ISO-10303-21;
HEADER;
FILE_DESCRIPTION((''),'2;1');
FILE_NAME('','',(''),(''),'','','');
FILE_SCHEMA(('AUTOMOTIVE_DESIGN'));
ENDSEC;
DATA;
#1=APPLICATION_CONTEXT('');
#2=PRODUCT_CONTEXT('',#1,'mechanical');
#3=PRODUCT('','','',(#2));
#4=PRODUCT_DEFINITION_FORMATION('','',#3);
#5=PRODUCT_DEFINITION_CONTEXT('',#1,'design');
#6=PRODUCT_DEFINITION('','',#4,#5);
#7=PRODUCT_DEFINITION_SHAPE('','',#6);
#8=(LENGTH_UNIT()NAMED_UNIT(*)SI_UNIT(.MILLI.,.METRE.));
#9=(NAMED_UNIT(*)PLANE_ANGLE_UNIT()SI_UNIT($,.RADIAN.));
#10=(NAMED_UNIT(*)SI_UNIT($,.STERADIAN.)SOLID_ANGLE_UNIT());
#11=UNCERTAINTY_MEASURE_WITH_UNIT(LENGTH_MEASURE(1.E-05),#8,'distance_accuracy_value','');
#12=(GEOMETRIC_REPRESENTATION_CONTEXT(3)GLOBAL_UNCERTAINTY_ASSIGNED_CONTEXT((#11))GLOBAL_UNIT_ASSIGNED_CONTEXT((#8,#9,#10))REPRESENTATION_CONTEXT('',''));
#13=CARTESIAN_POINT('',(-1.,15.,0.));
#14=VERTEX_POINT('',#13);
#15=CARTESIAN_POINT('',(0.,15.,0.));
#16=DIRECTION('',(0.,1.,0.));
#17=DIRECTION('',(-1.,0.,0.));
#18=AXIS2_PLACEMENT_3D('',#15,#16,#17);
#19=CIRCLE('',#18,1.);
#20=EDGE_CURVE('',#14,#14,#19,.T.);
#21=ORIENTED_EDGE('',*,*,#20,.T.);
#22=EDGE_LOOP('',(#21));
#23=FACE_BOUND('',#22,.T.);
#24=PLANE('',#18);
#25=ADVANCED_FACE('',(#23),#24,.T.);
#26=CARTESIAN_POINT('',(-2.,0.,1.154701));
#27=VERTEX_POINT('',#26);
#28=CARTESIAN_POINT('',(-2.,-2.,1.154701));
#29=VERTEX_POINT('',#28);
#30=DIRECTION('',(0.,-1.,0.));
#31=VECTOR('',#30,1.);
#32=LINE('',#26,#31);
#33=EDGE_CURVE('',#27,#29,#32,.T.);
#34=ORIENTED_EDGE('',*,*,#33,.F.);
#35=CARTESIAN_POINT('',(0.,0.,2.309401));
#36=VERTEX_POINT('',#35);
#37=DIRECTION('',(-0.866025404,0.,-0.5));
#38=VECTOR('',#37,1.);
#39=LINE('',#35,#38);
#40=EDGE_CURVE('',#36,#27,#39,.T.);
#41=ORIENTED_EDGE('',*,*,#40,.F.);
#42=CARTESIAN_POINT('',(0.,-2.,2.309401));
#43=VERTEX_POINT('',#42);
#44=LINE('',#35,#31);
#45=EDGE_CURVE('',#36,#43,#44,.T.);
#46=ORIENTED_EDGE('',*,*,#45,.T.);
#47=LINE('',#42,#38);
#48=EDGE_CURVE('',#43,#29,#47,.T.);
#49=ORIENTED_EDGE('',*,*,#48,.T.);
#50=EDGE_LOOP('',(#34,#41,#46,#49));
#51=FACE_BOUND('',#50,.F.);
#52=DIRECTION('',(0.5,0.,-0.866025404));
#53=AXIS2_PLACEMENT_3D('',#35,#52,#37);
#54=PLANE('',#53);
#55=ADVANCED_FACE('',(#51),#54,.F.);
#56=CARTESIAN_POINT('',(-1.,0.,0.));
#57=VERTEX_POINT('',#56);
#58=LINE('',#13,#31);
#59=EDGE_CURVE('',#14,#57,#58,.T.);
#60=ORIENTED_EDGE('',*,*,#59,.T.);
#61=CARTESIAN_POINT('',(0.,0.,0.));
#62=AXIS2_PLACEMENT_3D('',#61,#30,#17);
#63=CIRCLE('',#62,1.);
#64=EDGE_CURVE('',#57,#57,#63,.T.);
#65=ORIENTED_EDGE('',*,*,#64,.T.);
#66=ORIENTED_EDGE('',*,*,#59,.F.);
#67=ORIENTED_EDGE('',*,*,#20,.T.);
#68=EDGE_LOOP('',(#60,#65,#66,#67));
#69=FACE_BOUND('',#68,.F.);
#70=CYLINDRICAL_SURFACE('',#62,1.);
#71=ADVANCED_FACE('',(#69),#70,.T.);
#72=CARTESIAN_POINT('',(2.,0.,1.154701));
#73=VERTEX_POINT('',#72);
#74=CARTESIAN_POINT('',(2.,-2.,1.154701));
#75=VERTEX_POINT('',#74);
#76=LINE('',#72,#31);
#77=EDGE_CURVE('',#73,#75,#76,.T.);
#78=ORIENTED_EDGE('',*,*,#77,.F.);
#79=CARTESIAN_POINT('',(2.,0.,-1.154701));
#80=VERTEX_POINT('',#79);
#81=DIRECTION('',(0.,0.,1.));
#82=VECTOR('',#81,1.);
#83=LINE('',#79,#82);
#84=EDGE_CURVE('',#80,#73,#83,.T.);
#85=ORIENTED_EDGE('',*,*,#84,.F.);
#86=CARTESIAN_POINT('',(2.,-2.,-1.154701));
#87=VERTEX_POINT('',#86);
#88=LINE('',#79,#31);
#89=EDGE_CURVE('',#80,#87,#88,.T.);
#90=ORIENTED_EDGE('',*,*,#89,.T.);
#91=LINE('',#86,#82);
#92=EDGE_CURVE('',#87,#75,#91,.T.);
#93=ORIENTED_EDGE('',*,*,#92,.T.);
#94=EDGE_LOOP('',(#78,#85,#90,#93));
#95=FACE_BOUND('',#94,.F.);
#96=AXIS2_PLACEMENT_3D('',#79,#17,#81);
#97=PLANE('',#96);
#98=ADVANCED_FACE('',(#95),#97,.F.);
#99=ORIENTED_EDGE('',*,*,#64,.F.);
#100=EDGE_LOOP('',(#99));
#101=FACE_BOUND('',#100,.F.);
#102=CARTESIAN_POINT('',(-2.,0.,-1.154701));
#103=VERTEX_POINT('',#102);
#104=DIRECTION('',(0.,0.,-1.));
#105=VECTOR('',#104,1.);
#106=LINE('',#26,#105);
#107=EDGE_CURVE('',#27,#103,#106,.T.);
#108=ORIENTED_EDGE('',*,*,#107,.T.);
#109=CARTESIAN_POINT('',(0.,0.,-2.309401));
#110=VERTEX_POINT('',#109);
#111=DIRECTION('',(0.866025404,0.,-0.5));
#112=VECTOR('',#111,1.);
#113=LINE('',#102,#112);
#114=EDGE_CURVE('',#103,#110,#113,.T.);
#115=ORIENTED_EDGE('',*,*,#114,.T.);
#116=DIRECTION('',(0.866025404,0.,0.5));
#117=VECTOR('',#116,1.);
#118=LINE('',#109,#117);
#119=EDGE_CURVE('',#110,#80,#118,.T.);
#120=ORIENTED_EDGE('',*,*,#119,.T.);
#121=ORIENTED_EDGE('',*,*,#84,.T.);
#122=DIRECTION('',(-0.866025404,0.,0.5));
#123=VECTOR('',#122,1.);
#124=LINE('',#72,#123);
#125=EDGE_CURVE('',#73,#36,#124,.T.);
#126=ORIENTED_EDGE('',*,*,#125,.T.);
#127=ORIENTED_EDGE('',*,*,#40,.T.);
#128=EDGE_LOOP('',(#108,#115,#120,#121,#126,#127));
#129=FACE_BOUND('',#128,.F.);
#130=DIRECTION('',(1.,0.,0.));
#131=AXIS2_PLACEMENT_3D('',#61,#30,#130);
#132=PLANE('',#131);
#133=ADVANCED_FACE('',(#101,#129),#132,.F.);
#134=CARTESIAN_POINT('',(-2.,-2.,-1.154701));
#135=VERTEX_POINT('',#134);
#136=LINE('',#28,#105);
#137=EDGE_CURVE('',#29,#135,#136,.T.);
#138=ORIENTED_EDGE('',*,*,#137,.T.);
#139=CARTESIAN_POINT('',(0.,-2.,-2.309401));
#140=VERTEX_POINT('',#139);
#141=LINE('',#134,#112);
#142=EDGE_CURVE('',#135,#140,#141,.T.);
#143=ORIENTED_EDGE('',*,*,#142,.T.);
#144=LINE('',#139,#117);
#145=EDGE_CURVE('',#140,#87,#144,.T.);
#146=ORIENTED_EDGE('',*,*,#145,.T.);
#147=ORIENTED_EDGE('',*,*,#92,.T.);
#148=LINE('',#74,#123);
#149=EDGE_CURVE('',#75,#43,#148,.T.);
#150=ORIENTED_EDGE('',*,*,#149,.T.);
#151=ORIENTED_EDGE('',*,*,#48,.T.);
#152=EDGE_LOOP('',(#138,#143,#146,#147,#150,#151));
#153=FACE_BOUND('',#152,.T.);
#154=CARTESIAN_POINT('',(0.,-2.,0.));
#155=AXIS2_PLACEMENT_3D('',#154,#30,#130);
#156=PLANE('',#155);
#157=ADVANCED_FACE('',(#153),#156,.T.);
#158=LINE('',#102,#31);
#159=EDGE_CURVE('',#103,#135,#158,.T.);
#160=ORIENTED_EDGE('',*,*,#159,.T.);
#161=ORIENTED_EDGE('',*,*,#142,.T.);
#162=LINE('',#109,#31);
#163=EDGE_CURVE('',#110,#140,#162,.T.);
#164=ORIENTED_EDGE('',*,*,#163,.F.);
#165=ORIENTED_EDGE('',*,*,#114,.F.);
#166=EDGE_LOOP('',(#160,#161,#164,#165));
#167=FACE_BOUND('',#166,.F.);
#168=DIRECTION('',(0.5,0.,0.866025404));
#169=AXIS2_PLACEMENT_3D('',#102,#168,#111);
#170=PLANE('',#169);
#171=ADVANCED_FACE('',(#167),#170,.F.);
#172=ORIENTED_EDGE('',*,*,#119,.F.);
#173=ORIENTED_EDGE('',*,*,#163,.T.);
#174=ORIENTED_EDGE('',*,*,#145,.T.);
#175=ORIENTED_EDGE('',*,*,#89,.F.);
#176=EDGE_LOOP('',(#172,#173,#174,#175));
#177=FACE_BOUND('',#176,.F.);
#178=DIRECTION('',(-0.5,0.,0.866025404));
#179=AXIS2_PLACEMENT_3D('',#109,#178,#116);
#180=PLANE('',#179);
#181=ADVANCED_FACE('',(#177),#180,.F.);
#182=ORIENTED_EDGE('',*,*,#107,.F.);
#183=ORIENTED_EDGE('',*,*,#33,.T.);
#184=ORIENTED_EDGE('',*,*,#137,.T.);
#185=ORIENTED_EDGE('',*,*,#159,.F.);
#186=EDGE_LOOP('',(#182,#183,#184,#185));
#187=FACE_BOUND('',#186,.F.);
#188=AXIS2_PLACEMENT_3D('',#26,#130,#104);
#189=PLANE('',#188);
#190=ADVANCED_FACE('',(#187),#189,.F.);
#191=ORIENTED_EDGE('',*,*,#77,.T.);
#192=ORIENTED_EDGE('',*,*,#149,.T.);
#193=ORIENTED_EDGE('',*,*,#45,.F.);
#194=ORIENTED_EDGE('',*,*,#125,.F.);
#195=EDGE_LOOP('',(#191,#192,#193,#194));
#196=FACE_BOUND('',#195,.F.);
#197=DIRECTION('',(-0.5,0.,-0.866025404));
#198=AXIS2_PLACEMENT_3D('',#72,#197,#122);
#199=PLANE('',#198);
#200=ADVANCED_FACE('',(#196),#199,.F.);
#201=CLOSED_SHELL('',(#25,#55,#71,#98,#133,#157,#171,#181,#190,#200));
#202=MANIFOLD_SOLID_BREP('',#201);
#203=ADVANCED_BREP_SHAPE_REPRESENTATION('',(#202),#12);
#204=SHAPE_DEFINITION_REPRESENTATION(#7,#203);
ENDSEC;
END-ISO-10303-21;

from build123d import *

# Parameters (mm, degrees)
F0_R     = 1
F1_DEPTH = 2
F2_R     = 1
F3_DEPTH = 15
F4_DEPTH = 10
F5_DEPTH = 2


with BuildPart() as f1:
    # F0 (on Front) → F1 (new body)
    with BuildSketch(Plane.XZ):
        Polygon((-2, 1.1547005384), (-2, -1.1547005384), (0, -2.3094010768), (2, -1.1547005384), (2, 1.1547005384), (0, 2.3094010768), align=None)
        Circle(F0_R, mode=Mode.SUBTRACT)
        Circle(F0_R)
    extrude(amount=F1_DEPTH)

    # F2 (on face) → F3 (join)
    with BuildSketch(Plane(origin=(0, 0, 0), x_dir=(-1, 0, 0), z_dir=(0, 1, 0))):
        Circle(F2_R)
    extrude(amount=F3_DEPTH)

    # F2 (on face) → F4 (join)
    with BuildSketch(Plane(origin=(0, 0, 0), x_dir=(-1, 0, 0), z_dir=(0, 1, 0))):
        Circle(F2_R)
    extrude(amount=F4_DEPTH)

    # F0 (on Front) → F5 (join)
    with BuildSketch(Plane.XZ):
        Polygon((-2, 1.1547005384), (-2, -1.1547005384), (0, -2.3094010768), (2, -1.1547005384), (2, 1.1547005384), (0, 2.3094010768), align=None)
        Circle(F0_R, mode=Mode.SUBTRACT)
    extrude(amount=F5_DEPTH)


solid = f1.part
